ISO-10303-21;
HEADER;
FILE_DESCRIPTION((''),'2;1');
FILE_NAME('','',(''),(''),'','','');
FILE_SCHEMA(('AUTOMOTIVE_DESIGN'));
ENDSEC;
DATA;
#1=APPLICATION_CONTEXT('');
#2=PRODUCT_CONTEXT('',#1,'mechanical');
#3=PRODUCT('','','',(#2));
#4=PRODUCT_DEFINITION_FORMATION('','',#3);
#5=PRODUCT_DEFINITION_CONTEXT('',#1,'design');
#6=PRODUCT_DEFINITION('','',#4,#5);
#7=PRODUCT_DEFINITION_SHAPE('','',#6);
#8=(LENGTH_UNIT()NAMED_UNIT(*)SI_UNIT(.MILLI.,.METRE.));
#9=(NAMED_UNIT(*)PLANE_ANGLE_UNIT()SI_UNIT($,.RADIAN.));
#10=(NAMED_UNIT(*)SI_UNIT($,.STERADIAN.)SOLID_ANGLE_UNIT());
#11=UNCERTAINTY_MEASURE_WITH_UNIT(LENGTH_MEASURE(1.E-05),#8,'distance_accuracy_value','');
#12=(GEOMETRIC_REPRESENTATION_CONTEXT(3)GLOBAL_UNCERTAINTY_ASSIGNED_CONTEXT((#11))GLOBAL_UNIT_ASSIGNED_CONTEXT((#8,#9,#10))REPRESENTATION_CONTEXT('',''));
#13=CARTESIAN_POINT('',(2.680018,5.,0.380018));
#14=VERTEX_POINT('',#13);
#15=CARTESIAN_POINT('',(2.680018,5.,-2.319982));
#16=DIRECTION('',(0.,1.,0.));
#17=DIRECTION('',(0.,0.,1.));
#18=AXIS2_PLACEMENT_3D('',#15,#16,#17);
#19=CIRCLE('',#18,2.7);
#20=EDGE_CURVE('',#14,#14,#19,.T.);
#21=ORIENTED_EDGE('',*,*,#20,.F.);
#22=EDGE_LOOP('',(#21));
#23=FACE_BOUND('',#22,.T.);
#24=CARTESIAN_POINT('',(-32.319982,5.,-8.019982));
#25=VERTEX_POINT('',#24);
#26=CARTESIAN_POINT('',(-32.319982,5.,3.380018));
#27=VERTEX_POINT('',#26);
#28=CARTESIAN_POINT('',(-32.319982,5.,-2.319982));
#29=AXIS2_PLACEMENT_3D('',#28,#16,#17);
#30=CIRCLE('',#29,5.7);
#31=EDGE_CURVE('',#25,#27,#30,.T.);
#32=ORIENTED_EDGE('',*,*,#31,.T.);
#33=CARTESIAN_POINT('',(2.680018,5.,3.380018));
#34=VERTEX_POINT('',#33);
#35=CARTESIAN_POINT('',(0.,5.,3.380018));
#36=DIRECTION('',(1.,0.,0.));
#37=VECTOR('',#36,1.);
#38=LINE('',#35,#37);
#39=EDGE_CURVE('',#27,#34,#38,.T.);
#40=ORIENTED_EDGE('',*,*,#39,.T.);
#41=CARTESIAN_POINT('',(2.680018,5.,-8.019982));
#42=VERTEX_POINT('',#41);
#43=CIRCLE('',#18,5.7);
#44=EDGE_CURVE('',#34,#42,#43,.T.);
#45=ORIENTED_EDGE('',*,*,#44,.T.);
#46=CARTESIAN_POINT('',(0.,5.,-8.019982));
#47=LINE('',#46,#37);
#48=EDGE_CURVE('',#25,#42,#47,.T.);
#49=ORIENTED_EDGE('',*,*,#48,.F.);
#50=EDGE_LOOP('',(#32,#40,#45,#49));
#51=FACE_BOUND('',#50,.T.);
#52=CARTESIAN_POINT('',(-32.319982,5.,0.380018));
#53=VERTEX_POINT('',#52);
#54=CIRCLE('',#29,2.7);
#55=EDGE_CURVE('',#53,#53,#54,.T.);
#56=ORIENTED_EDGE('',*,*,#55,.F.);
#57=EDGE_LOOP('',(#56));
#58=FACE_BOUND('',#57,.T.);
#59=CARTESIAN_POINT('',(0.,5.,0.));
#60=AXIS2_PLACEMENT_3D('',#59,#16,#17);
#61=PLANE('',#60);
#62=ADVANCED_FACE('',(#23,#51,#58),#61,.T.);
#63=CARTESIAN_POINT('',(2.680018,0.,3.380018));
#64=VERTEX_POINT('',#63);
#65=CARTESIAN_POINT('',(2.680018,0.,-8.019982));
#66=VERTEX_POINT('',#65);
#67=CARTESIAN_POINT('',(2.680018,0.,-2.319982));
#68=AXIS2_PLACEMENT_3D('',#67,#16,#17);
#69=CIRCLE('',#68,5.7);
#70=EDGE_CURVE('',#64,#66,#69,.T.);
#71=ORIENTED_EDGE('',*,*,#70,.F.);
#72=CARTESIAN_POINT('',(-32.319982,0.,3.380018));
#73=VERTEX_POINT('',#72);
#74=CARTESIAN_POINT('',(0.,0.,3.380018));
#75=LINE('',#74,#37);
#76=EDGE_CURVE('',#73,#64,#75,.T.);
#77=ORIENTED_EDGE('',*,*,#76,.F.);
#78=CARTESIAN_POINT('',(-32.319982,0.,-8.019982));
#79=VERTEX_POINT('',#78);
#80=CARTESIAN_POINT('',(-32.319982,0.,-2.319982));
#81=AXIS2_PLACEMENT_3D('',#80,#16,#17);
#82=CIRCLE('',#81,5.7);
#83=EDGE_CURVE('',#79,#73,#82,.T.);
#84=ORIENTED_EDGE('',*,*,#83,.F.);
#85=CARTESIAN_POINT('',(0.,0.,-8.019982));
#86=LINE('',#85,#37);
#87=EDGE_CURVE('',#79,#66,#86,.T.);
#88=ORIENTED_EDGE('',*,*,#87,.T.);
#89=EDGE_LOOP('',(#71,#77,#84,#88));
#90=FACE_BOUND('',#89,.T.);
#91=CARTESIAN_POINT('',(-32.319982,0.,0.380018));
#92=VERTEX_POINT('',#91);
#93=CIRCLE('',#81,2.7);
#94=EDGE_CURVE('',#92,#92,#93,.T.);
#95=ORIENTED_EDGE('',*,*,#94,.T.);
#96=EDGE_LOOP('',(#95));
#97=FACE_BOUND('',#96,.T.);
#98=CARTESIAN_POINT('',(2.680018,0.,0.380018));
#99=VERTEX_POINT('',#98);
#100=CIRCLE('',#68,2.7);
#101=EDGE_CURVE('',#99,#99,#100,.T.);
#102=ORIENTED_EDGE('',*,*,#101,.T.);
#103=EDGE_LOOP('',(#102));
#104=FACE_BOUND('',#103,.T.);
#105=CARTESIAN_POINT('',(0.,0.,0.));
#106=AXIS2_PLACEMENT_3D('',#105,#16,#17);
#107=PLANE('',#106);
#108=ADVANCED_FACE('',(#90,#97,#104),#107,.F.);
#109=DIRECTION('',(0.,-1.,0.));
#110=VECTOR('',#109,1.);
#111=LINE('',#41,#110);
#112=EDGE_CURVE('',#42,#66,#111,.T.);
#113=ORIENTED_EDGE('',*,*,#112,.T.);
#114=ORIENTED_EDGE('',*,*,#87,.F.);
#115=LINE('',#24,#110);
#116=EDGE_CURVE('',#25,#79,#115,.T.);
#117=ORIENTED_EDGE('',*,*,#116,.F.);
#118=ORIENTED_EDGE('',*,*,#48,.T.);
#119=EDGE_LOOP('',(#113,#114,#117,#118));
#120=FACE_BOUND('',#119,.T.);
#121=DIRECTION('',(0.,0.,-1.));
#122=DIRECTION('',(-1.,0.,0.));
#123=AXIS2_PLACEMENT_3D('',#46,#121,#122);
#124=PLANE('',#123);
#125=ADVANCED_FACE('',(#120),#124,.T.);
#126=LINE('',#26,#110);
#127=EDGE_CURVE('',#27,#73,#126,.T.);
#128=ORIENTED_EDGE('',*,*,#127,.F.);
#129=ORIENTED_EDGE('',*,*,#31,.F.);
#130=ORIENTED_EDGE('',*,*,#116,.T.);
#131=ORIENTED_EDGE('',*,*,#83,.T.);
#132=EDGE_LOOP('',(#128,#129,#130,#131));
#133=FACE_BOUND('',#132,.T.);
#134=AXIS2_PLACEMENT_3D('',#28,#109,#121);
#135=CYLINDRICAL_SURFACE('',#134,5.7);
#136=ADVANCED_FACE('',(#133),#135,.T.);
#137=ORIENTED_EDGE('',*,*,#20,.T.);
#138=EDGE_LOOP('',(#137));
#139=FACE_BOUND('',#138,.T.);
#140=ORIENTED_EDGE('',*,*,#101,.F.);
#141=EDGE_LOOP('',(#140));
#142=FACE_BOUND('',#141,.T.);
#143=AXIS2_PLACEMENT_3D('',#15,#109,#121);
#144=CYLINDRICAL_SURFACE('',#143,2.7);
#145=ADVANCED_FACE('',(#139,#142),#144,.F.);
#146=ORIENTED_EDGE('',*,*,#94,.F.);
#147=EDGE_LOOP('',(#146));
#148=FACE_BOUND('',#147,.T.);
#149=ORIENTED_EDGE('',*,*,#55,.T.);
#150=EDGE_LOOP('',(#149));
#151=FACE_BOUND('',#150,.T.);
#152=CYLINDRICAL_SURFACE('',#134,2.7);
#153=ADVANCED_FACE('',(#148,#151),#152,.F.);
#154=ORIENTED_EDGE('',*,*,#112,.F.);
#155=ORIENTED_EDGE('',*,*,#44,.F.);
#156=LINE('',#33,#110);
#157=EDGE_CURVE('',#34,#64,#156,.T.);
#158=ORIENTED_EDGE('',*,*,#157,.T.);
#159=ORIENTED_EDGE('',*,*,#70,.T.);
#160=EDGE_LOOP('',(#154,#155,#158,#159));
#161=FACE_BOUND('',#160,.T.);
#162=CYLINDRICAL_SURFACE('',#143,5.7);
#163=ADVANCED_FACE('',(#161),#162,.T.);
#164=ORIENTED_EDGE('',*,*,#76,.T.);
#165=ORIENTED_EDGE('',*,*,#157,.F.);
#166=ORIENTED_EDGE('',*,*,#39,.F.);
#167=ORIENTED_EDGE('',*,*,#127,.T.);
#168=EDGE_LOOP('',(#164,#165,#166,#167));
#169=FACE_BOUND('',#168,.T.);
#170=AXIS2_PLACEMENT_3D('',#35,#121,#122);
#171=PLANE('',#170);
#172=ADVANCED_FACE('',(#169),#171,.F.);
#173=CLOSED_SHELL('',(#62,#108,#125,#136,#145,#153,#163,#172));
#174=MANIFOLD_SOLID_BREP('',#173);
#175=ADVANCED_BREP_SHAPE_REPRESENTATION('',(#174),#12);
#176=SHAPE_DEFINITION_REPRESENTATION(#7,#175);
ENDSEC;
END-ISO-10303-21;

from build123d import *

# Parameters (mm, degrees)
SKETCH1_R           = 2.7
BOSS_EXTRUDE2_DEPTH = 5


with BuildPart() as part:
    # Sketch1 → Boss-Extrude2 (new body)
    with BuildSketch(Plane(origin=(0, 0, 0), x_dir=(1, 0, 0), z_dir=(0, 1, 0))):
        with BuildLine():
            ThreePointArc((-32.319982325, 8.019982325), (-38.019982325, 2.319982325), (-32.319982325, -3.380017675))
            Line((-32.319982325, -3.380017675), (2.680017675, -3.380017675))
            ThreePointArc((2.680017675, -3.380017675), (8.380017675, 2.319982325), (2.680017675, 8.019982325))
            Line((2.680017675, 8.019982325), (-32.319982325, 8.019982325))
        make_face()
        with Locations(Location((-32.319982325, 2.319982325, 0), (0, 0, 270))):
            Circle(SKETCH1_R, mode=Mode.SUBTRACT)
        with Locations(Location((2.680017675, 2.319982325, 0), (0, 0, 270))):
            Circle(SKETCH1_R, mode=Mode.SUBTRACT)
    extrude(amount=BOSS_EXTRUDE2_DEPTH)


solid = part.part
